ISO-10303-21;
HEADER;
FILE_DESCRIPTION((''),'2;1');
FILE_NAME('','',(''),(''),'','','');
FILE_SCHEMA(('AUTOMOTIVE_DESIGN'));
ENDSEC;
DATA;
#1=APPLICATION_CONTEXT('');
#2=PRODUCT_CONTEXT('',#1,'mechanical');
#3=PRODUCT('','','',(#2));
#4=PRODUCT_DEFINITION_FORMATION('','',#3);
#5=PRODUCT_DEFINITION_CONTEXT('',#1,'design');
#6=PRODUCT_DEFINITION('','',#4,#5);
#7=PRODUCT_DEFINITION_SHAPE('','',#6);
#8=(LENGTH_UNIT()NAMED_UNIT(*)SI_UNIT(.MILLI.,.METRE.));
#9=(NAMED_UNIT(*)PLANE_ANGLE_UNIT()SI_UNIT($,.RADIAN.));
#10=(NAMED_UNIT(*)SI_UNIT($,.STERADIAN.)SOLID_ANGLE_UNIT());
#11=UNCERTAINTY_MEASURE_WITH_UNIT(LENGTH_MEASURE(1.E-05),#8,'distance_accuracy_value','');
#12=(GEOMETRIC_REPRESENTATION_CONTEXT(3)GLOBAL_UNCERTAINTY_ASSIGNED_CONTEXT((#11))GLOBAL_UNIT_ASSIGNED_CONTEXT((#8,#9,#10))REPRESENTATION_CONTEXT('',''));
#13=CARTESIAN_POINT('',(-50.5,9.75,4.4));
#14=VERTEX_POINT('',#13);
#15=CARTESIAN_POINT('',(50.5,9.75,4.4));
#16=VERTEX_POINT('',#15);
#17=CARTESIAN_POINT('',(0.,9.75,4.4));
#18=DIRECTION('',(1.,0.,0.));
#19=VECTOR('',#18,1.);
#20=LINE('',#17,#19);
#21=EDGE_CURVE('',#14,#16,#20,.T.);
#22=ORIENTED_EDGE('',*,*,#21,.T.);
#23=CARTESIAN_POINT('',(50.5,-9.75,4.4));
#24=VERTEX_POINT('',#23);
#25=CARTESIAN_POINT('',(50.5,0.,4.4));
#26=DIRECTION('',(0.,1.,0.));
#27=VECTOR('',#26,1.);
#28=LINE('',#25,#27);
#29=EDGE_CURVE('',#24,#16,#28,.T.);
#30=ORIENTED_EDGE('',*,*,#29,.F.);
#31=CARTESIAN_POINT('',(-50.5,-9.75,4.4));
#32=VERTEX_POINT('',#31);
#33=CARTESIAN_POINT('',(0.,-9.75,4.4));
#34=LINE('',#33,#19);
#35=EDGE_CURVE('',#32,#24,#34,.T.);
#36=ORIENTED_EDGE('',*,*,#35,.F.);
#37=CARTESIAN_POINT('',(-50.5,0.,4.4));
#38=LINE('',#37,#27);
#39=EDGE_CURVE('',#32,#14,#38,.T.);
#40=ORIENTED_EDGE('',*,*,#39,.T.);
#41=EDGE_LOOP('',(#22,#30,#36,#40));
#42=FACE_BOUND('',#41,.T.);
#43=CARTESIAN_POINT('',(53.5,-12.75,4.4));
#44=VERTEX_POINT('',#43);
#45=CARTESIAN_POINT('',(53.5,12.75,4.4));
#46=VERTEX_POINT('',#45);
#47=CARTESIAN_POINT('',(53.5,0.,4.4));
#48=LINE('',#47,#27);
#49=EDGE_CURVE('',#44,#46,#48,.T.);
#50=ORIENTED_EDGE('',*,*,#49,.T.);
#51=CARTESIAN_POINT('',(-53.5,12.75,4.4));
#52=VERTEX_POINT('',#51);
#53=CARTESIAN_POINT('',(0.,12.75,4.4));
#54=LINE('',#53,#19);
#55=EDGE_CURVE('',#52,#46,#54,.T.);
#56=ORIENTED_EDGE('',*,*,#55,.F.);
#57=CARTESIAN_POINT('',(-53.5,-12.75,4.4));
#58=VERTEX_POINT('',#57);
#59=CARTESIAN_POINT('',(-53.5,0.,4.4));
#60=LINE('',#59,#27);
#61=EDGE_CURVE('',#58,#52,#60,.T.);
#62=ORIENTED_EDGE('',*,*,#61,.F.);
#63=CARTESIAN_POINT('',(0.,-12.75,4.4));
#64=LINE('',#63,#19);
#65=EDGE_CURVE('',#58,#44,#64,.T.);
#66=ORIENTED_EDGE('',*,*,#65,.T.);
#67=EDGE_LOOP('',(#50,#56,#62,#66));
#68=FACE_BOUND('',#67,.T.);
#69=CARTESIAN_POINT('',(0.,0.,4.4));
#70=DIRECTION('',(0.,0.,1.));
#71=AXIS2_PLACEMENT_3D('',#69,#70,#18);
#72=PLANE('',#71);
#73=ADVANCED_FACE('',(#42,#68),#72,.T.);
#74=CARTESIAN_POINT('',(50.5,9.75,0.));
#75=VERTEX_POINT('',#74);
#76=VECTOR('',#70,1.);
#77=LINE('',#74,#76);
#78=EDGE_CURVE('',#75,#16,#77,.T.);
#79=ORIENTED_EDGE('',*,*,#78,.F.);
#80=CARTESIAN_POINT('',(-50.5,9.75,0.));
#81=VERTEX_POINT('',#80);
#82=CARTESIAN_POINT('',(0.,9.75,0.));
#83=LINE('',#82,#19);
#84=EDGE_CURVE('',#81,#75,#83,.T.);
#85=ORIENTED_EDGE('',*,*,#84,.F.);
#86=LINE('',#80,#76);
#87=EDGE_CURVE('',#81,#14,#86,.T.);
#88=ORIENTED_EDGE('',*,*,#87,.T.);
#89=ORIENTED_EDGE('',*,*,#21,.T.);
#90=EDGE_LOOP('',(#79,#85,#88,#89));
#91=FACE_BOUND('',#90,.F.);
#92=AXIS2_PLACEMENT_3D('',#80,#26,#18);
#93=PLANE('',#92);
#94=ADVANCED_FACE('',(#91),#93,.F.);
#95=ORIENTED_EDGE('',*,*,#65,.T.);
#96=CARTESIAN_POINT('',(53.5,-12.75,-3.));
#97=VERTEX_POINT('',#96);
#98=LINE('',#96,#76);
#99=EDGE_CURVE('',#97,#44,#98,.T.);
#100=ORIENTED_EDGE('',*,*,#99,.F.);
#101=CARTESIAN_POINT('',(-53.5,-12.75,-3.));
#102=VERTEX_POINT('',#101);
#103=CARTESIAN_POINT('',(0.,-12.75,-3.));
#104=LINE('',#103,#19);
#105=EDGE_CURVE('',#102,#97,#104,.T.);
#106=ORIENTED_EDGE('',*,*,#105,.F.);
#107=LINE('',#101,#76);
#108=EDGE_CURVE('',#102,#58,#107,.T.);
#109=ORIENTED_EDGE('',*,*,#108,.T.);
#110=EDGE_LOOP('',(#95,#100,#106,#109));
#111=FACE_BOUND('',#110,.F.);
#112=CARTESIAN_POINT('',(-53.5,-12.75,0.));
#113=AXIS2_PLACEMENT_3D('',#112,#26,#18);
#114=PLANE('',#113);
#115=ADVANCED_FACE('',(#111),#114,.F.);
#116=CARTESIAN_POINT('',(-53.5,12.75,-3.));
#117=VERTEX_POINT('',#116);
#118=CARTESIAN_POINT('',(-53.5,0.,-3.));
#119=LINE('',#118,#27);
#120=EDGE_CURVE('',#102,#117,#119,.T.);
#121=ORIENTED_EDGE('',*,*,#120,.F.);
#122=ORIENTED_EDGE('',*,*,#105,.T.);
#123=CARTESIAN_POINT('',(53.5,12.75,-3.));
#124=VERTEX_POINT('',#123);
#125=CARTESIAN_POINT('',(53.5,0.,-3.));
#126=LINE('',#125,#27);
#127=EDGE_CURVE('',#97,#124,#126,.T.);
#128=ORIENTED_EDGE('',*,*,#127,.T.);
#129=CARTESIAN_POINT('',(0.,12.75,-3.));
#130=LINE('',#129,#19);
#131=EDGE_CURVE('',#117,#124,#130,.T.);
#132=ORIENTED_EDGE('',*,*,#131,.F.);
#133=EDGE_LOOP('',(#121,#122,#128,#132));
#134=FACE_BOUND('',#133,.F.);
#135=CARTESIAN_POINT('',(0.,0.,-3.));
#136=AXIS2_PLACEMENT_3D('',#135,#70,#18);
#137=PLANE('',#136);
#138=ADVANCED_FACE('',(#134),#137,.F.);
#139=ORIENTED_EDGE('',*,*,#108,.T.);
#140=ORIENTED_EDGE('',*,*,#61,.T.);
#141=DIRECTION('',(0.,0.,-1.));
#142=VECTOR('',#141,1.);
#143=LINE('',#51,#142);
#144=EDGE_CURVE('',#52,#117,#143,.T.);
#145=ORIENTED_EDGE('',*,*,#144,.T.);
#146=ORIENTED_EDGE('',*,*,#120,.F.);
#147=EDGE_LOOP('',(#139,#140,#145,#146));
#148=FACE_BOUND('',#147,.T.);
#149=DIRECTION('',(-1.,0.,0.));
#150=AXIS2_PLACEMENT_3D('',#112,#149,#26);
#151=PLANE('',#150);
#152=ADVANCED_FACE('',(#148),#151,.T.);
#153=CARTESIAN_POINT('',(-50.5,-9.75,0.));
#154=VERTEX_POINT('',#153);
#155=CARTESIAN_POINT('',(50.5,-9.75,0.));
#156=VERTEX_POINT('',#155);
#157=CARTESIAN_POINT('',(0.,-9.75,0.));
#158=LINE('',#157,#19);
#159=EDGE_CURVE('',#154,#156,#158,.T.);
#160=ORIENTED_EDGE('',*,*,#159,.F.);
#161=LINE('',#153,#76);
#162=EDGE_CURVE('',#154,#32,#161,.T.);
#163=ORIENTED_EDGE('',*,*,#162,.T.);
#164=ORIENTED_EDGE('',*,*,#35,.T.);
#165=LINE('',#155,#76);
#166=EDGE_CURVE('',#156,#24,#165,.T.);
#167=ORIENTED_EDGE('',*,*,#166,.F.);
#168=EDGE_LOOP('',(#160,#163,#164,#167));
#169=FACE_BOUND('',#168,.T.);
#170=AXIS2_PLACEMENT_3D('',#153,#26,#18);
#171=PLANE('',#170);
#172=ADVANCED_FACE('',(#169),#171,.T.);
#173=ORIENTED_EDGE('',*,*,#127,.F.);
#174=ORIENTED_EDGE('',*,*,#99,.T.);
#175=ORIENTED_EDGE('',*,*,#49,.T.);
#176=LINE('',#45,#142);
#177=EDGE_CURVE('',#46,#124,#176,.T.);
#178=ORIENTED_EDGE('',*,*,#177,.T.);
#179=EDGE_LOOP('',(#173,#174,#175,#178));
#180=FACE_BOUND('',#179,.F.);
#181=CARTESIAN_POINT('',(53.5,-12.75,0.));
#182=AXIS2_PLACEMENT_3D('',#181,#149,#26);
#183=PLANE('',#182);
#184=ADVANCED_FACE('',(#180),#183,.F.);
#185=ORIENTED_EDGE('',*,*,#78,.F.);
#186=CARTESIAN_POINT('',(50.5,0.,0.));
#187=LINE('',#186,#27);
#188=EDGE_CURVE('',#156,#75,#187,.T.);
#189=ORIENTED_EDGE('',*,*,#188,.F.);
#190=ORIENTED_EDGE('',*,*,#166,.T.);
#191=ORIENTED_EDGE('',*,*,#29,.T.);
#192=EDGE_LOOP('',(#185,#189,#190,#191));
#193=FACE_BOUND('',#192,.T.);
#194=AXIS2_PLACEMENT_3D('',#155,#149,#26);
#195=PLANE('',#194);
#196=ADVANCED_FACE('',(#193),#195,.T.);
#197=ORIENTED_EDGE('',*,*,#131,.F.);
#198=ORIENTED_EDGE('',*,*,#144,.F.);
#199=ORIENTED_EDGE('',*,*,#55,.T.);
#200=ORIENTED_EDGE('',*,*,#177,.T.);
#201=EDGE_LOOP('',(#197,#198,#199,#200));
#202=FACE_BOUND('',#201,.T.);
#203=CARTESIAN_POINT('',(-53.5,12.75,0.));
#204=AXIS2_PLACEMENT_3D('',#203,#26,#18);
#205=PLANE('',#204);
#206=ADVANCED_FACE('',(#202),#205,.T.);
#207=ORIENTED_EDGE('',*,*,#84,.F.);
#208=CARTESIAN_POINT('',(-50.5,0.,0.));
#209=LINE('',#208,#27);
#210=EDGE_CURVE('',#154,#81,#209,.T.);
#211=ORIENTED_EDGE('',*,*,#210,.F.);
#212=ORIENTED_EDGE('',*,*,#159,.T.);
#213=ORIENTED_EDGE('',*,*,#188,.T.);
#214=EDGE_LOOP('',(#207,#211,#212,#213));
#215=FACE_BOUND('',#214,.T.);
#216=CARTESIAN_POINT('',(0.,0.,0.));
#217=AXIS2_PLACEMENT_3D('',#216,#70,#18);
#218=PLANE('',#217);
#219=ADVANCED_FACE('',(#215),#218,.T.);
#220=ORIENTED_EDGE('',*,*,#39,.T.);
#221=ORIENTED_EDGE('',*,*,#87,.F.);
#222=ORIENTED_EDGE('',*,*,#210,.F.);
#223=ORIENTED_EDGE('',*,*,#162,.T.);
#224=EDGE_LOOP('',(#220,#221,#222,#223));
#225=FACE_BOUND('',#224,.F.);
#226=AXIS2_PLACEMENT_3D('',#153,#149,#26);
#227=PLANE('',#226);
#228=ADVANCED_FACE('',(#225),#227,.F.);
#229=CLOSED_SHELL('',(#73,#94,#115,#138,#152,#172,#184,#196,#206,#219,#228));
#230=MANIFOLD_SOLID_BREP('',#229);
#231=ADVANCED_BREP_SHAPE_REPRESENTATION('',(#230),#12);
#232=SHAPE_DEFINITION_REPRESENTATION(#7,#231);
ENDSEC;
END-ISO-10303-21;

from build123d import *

# Parameters (mm, degrees)
F0_W     = 107
F0_H     = 25.5
F0_W_2   = 101
F0_H_2   = 19.5
F1_DEPTH = 3
F2_DEPTH = 4.4


with BuildPart() as f1:
    # F0 (on Top) → F1 (new body)
    with BuildSketch(Plane.XY):
        Rectangle(F0_W, F0_H)
        Rectangle(F0_W_2, F0_H_2, mode=Mode.SUBTRACT)
        Rectangle(F0_W_2, F0_H_2)
    extrude(amount=-F1_DEPTH)

    # F0 (on Top) → F2 (join)
    with BuildSketch(Plane.XY):
        Rectangle(F0_W, F0_H)
        Rectangle(F0_W_2, F0_H_2, mode=Mode.SUBTRACT)
    extrude(amount=F2_DEPTH)


solid = f1.part
